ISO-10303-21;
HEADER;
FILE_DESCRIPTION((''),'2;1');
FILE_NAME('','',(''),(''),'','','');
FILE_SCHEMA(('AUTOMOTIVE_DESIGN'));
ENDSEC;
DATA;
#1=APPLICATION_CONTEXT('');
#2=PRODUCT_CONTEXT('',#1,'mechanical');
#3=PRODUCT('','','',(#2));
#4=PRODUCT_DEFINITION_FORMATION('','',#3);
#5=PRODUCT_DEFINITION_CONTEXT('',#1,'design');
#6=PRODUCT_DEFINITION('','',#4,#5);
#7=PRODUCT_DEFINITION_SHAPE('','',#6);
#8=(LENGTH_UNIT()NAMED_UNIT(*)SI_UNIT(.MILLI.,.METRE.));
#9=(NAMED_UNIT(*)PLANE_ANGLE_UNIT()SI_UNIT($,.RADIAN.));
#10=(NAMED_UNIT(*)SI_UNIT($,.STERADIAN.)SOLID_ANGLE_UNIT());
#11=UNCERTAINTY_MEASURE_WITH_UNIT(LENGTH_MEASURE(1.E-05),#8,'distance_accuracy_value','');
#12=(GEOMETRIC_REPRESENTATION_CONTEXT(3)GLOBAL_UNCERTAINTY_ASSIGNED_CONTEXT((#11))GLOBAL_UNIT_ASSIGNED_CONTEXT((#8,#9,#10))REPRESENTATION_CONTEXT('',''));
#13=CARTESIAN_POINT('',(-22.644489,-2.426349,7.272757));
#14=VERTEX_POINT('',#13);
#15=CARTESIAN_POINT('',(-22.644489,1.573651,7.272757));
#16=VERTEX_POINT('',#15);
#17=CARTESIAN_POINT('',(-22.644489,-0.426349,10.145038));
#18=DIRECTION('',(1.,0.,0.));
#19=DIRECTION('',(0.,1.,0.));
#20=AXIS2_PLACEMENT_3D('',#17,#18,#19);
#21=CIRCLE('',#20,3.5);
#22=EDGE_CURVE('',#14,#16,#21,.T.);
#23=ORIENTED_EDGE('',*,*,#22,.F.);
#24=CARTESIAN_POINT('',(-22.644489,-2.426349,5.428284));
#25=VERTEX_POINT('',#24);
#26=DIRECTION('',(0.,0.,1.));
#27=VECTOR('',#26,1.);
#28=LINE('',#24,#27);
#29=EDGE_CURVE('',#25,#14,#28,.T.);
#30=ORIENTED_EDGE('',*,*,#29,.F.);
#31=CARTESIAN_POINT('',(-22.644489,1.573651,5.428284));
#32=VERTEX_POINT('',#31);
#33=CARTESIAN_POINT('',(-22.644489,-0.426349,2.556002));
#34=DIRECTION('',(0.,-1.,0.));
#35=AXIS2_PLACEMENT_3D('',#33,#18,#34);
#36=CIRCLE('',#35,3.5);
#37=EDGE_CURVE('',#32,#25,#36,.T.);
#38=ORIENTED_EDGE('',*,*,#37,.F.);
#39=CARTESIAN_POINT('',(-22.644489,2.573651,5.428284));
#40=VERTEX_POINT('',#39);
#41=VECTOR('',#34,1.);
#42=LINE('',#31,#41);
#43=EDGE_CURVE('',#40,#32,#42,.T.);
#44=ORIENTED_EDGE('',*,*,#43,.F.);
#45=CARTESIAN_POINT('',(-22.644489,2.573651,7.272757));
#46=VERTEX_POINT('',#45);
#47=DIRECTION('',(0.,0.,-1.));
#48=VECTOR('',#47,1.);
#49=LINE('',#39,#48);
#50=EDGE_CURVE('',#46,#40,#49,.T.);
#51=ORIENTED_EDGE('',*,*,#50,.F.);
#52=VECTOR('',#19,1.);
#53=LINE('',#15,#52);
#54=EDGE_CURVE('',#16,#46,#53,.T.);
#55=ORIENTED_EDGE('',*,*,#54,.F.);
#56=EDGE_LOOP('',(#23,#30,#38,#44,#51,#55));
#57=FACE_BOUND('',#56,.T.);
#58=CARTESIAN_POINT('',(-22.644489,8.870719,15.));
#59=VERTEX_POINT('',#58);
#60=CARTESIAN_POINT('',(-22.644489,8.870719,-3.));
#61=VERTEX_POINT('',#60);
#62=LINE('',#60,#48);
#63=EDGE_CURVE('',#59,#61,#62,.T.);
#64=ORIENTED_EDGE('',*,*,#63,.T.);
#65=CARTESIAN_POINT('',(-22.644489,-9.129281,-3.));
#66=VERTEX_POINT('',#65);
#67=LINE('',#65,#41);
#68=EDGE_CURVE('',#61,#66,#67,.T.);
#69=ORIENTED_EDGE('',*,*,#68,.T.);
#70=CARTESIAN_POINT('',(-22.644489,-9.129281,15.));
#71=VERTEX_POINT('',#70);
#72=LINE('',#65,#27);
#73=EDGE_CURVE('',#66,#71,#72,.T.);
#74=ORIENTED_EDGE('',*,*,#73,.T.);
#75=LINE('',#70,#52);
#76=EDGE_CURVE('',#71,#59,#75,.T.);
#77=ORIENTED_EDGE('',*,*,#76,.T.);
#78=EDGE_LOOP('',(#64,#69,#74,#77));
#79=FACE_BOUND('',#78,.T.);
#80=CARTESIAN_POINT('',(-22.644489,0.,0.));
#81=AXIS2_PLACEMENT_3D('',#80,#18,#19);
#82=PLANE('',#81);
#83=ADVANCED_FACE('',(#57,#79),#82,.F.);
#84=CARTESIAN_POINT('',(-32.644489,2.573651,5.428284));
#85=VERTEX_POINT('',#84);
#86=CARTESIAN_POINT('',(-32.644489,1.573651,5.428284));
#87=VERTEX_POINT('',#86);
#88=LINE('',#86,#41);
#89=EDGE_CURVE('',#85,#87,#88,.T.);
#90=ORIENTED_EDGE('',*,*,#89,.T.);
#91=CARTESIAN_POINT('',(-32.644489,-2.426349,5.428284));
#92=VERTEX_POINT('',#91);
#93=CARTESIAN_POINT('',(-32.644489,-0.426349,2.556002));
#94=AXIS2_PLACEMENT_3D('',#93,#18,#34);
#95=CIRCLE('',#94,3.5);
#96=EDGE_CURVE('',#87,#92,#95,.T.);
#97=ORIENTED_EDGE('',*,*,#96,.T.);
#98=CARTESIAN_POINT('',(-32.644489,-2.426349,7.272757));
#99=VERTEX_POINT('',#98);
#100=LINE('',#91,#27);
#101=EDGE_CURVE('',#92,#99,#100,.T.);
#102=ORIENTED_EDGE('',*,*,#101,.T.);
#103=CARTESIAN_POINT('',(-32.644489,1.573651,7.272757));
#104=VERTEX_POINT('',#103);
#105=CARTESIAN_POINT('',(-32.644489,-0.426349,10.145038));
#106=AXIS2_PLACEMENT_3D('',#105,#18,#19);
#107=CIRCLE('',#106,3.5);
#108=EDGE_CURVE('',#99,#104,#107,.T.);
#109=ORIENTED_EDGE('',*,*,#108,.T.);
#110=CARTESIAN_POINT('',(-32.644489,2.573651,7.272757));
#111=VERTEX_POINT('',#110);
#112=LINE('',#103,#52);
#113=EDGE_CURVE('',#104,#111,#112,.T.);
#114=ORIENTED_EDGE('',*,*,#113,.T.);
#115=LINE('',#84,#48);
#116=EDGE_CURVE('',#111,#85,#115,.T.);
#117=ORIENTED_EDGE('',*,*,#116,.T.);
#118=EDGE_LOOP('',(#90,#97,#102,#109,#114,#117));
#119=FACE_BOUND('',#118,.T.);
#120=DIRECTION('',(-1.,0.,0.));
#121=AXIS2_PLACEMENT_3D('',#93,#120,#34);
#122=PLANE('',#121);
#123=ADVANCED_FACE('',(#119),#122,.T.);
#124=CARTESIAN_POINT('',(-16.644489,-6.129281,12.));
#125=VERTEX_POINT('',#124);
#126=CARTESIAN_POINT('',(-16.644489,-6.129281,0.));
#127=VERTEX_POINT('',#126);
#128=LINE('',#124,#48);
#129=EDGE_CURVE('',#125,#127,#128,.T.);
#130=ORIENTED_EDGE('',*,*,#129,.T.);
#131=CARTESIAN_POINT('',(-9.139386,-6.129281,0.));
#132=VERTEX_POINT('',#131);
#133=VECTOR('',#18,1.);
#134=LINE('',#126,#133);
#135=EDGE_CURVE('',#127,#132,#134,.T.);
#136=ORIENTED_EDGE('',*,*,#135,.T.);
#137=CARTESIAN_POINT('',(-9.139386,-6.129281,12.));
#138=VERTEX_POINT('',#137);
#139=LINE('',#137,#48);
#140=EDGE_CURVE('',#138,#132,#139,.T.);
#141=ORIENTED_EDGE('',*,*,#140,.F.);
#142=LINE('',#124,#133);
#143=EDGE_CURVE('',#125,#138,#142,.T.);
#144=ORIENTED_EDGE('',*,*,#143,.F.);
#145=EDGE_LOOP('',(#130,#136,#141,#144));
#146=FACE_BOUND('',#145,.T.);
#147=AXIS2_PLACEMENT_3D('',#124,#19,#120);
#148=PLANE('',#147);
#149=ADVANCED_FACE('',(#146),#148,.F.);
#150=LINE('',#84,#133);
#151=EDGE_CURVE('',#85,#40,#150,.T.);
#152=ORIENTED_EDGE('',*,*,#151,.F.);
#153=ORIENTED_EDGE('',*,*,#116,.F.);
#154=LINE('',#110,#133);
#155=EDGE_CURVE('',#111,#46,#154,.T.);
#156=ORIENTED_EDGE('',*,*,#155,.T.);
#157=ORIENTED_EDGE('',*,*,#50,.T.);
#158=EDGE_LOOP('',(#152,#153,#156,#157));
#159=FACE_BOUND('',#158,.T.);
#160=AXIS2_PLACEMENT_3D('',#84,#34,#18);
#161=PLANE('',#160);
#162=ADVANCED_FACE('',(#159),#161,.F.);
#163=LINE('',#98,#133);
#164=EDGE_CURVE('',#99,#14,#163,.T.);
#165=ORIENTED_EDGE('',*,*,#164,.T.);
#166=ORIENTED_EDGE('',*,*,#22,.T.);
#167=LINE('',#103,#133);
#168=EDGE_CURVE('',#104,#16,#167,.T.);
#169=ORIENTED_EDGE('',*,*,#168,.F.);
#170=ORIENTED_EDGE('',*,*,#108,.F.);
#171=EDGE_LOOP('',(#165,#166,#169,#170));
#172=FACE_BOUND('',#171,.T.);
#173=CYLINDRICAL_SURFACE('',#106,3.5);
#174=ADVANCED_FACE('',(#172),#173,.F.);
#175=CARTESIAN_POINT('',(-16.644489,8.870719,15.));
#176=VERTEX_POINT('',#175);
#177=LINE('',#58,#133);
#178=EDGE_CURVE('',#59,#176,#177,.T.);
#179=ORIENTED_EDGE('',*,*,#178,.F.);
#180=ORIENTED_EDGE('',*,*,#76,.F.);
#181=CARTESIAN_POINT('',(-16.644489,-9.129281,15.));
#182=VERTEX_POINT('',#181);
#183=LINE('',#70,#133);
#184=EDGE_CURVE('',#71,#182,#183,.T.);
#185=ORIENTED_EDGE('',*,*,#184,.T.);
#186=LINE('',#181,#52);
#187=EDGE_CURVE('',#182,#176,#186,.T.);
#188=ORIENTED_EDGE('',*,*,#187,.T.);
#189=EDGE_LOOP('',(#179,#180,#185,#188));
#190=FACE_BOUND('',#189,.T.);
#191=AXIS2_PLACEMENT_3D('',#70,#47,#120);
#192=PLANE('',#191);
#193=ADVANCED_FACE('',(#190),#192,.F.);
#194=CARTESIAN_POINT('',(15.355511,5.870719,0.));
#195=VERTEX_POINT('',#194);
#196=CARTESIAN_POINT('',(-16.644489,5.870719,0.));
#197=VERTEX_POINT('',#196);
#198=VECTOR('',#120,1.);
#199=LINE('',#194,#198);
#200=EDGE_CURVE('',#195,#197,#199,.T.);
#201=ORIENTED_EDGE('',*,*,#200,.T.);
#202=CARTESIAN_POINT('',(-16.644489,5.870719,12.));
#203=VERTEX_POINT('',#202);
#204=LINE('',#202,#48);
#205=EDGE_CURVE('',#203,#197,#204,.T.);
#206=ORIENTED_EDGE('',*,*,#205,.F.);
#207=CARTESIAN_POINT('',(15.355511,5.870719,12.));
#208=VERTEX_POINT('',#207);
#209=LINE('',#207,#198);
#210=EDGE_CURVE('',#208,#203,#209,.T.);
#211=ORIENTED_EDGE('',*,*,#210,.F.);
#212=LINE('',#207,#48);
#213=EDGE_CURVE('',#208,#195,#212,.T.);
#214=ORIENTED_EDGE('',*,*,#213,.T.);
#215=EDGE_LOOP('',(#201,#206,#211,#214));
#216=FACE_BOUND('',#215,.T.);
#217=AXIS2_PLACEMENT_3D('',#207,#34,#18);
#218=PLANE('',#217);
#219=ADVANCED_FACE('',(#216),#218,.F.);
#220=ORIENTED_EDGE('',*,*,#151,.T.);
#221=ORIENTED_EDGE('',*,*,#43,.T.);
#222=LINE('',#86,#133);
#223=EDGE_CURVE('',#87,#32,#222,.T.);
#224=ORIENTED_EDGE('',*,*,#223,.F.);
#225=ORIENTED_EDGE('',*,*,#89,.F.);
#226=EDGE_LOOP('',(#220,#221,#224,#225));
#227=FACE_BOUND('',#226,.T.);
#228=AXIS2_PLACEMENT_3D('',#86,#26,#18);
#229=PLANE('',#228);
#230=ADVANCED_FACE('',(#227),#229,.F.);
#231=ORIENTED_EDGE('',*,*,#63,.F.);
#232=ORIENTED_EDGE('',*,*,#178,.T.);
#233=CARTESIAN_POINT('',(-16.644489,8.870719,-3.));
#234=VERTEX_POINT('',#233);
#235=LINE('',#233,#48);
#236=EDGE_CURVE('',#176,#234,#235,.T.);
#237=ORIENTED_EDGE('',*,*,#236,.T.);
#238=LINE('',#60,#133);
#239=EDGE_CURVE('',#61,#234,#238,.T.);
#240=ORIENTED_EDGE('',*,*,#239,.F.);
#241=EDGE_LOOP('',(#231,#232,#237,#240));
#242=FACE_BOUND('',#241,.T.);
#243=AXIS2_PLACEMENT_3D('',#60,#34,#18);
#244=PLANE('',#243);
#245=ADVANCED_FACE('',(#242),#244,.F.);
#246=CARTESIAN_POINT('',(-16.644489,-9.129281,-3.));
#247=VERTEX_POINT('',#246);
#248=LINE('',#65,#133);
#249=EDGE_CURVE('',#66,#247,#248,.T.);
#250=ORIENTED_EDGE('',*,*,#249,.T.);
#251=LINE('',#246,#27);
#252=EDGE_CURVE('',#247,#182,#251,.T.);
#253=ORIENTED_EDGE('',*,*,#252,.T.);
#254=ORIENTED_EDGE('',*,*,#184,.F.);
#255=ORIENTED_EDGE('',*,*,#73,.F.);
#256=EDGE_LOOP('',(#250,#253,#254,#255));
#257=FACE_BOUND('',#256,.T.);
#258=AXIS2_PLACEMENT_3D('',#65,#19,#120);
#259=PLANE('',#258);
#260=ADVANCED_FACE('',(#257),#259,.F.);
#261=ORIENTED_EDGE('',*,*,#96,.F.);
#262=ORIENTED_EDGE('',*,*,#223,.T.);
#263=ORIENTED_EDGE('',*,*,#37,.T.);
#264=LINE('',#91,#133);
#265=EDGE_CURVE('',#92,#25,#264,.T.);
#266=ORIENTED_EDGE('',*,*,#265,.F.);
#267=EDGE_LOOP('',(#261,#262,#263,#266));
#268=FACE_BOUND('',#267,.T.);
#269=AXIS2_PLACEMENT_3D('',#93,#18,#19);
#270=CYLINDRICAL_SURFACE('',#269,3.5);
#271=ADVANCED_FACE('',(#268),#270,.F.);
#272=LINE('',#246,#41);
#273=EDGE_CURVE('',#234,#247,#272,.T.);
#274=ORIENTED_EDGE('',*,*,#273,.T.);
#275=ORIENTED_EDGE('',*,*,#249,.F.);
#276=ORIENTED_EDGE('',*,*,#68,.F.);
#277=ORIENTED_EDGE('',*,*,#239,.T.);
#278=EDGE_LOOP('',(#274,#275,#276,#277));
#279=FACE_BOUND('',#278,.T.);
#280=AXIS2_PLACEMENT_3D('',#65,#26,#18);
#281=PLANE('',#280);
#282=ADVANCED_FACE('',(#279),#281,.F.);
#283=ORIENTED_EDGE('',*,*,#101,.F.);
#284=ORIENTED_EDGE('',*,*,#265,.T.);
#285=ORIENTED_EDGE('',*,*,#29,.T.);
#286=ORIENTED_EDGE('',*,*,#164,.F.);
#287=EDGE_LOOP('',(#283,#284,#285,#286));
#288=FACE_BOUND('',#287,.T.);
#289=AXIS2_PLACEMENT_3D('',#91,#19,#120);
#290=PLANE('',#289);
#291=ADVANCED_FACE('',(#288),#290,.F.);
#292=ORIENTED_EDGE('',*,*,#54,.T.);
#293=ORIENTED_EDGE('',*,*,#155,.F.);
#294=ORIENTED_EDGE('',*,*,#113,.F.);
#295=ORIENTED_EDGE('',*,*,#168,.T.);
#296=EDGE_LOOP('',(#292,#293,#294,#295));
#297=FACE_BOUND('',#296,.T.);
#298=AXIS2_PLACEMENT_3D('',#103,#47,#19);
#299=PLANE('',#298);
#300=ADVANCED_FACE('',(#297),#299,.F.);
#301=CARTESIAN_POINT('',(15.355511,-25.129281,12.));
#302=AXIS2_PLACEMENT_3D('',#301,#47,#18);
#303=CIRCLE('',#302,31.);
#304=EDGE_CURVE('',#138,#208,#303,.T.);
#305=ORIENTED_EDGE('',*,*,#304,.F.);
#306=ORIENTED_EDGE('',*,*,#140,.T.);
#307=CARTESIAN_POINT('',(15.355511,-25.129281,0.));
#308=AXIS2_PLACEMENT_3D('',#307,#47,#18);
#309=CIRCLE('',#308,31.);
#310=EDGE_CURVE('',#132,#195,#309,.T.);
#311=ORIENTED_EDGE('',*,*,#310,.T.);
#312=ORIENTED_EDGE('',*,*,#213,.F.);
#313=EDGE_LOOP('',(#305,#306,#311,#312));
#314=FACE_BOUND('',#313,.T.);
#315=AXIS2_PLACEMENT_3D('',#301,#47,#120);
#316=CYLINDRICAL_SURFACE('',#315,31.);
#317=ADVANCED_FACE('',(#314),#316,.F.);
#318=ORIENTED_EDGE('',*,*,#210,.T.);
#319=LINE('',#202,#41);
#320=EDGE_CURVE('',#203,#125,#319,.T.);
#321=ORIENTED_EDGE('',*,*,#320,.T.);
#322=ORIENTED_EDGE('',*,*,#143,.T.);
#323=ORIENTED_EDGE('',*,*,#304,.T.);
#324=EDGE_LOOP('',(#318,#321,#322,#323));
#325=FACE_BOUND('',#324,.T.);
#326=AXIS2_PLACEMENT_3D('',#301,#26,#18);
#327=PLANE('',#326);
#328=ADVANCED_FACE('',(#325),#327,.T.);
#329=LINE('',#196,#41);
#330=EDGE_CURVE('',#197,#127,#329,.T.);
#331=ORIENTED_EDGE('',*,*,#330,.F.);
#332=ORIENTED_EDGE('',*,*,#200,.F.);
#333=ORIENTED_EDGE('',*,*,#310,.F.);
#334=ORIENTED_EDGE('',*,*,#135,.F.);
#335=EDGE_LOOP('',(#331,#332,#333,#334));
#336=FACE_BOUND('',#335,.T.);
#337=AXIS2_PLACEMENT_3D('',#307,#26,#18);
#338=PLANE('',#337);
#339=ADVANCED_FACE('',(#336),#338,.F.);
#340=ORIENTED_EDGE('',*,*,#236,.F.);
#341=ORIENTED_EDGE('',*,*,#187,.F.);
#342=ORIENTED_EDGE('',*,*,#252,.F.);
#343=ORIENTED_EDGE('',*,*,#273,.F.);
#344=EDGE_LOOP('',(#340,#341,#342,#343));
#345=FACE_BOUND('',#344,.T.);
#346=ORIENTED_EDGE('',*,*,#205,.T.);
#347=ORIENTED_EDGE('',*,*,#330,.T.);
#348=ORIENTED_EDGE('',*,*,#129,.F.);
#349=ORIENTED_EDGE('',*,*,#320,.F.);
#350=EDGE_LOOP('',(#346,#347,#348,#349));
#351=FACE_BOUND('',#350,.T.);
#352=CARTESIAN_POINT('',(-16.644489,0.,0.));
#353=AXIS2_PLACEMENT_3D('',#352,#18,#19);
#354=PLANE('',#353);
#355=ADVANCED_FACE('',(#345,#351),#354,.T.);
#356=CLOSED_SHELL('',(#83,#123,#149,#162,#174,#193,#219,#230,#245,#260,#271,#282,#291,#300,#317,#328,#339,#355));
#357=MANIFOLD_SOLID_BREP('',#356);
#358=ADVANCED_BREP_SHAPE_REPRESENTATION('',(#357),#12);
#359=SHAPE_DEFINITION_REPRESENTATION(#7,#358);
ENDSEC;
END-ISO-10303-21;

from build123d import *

# Parameters (mm, degrees)
EXTRUDE_1_DEPTH = 12
SKETCH_2_W      = 18
SKETCH_2_H      = 18
EXTRUDE_2_DEPTH = 6
EXTRUDE_3_DEPTH = 10


with BuildPart() as part:
    # 스케치1 → 보스-돌출1 (new body)
    with BuildSketch(Plane.XY):
        with BuildLine():
            Line((15.355510937, 5.870718563), (-16.644489063, 5.870718563))
            Line((-16.644489063, 5.870718563), (-16.644489063, -6.129281437))
            Line((-16.644489063, -6.129281437), (-9.139386491, -6.129281437))
            ThreePointArc((-9.139386491, -6.129281437), (1.71732924, 2.709540377), (15.355510937, 5.870718563))
        make_face()
    extrude(amount=EXTRUDE_1_DEPTH)

    # 스케치2 → 보스-돌출2 (add)
    with BuildSketch(Plane.ZY.offset(16.644489063)):
        with Locations((6, -0.129281437)):
            Rectangle(SKETCH_2_W, SKETCH_2_H)
    extrude(amount=EXTRUDE_2_DEPTH)

    # 스케치3 → 보스-돌출3 (add)
    with BuildSketch(Plane.ZY.offset(22.644489063)):
        with BuildLine():
            Line((5.428283523, 1.573651364), (5.428283523, 2.573651364))
            Line((5.428283523, 2.573651364), (7.272757062, 2.573651364))
            Line((7.272757062, 2.573651364), (7.272757062, 1.573651364))
            ThreePointArc((7.272757062, 1.573651364), (6.645038385, -0.426348636), (7.272757062, -2.426348636))
            Line((7.272757062, -2.426348636), (5.428283523, -2.426348636))
            ThreePointArc((5.428283523, -2.426348636), (6.0560022, -0.426348636), (5.428283523, 1.573651364))
        make_face()
    extrude(amount=EXTRUDE_3_DEPTH)


solid = part.part
